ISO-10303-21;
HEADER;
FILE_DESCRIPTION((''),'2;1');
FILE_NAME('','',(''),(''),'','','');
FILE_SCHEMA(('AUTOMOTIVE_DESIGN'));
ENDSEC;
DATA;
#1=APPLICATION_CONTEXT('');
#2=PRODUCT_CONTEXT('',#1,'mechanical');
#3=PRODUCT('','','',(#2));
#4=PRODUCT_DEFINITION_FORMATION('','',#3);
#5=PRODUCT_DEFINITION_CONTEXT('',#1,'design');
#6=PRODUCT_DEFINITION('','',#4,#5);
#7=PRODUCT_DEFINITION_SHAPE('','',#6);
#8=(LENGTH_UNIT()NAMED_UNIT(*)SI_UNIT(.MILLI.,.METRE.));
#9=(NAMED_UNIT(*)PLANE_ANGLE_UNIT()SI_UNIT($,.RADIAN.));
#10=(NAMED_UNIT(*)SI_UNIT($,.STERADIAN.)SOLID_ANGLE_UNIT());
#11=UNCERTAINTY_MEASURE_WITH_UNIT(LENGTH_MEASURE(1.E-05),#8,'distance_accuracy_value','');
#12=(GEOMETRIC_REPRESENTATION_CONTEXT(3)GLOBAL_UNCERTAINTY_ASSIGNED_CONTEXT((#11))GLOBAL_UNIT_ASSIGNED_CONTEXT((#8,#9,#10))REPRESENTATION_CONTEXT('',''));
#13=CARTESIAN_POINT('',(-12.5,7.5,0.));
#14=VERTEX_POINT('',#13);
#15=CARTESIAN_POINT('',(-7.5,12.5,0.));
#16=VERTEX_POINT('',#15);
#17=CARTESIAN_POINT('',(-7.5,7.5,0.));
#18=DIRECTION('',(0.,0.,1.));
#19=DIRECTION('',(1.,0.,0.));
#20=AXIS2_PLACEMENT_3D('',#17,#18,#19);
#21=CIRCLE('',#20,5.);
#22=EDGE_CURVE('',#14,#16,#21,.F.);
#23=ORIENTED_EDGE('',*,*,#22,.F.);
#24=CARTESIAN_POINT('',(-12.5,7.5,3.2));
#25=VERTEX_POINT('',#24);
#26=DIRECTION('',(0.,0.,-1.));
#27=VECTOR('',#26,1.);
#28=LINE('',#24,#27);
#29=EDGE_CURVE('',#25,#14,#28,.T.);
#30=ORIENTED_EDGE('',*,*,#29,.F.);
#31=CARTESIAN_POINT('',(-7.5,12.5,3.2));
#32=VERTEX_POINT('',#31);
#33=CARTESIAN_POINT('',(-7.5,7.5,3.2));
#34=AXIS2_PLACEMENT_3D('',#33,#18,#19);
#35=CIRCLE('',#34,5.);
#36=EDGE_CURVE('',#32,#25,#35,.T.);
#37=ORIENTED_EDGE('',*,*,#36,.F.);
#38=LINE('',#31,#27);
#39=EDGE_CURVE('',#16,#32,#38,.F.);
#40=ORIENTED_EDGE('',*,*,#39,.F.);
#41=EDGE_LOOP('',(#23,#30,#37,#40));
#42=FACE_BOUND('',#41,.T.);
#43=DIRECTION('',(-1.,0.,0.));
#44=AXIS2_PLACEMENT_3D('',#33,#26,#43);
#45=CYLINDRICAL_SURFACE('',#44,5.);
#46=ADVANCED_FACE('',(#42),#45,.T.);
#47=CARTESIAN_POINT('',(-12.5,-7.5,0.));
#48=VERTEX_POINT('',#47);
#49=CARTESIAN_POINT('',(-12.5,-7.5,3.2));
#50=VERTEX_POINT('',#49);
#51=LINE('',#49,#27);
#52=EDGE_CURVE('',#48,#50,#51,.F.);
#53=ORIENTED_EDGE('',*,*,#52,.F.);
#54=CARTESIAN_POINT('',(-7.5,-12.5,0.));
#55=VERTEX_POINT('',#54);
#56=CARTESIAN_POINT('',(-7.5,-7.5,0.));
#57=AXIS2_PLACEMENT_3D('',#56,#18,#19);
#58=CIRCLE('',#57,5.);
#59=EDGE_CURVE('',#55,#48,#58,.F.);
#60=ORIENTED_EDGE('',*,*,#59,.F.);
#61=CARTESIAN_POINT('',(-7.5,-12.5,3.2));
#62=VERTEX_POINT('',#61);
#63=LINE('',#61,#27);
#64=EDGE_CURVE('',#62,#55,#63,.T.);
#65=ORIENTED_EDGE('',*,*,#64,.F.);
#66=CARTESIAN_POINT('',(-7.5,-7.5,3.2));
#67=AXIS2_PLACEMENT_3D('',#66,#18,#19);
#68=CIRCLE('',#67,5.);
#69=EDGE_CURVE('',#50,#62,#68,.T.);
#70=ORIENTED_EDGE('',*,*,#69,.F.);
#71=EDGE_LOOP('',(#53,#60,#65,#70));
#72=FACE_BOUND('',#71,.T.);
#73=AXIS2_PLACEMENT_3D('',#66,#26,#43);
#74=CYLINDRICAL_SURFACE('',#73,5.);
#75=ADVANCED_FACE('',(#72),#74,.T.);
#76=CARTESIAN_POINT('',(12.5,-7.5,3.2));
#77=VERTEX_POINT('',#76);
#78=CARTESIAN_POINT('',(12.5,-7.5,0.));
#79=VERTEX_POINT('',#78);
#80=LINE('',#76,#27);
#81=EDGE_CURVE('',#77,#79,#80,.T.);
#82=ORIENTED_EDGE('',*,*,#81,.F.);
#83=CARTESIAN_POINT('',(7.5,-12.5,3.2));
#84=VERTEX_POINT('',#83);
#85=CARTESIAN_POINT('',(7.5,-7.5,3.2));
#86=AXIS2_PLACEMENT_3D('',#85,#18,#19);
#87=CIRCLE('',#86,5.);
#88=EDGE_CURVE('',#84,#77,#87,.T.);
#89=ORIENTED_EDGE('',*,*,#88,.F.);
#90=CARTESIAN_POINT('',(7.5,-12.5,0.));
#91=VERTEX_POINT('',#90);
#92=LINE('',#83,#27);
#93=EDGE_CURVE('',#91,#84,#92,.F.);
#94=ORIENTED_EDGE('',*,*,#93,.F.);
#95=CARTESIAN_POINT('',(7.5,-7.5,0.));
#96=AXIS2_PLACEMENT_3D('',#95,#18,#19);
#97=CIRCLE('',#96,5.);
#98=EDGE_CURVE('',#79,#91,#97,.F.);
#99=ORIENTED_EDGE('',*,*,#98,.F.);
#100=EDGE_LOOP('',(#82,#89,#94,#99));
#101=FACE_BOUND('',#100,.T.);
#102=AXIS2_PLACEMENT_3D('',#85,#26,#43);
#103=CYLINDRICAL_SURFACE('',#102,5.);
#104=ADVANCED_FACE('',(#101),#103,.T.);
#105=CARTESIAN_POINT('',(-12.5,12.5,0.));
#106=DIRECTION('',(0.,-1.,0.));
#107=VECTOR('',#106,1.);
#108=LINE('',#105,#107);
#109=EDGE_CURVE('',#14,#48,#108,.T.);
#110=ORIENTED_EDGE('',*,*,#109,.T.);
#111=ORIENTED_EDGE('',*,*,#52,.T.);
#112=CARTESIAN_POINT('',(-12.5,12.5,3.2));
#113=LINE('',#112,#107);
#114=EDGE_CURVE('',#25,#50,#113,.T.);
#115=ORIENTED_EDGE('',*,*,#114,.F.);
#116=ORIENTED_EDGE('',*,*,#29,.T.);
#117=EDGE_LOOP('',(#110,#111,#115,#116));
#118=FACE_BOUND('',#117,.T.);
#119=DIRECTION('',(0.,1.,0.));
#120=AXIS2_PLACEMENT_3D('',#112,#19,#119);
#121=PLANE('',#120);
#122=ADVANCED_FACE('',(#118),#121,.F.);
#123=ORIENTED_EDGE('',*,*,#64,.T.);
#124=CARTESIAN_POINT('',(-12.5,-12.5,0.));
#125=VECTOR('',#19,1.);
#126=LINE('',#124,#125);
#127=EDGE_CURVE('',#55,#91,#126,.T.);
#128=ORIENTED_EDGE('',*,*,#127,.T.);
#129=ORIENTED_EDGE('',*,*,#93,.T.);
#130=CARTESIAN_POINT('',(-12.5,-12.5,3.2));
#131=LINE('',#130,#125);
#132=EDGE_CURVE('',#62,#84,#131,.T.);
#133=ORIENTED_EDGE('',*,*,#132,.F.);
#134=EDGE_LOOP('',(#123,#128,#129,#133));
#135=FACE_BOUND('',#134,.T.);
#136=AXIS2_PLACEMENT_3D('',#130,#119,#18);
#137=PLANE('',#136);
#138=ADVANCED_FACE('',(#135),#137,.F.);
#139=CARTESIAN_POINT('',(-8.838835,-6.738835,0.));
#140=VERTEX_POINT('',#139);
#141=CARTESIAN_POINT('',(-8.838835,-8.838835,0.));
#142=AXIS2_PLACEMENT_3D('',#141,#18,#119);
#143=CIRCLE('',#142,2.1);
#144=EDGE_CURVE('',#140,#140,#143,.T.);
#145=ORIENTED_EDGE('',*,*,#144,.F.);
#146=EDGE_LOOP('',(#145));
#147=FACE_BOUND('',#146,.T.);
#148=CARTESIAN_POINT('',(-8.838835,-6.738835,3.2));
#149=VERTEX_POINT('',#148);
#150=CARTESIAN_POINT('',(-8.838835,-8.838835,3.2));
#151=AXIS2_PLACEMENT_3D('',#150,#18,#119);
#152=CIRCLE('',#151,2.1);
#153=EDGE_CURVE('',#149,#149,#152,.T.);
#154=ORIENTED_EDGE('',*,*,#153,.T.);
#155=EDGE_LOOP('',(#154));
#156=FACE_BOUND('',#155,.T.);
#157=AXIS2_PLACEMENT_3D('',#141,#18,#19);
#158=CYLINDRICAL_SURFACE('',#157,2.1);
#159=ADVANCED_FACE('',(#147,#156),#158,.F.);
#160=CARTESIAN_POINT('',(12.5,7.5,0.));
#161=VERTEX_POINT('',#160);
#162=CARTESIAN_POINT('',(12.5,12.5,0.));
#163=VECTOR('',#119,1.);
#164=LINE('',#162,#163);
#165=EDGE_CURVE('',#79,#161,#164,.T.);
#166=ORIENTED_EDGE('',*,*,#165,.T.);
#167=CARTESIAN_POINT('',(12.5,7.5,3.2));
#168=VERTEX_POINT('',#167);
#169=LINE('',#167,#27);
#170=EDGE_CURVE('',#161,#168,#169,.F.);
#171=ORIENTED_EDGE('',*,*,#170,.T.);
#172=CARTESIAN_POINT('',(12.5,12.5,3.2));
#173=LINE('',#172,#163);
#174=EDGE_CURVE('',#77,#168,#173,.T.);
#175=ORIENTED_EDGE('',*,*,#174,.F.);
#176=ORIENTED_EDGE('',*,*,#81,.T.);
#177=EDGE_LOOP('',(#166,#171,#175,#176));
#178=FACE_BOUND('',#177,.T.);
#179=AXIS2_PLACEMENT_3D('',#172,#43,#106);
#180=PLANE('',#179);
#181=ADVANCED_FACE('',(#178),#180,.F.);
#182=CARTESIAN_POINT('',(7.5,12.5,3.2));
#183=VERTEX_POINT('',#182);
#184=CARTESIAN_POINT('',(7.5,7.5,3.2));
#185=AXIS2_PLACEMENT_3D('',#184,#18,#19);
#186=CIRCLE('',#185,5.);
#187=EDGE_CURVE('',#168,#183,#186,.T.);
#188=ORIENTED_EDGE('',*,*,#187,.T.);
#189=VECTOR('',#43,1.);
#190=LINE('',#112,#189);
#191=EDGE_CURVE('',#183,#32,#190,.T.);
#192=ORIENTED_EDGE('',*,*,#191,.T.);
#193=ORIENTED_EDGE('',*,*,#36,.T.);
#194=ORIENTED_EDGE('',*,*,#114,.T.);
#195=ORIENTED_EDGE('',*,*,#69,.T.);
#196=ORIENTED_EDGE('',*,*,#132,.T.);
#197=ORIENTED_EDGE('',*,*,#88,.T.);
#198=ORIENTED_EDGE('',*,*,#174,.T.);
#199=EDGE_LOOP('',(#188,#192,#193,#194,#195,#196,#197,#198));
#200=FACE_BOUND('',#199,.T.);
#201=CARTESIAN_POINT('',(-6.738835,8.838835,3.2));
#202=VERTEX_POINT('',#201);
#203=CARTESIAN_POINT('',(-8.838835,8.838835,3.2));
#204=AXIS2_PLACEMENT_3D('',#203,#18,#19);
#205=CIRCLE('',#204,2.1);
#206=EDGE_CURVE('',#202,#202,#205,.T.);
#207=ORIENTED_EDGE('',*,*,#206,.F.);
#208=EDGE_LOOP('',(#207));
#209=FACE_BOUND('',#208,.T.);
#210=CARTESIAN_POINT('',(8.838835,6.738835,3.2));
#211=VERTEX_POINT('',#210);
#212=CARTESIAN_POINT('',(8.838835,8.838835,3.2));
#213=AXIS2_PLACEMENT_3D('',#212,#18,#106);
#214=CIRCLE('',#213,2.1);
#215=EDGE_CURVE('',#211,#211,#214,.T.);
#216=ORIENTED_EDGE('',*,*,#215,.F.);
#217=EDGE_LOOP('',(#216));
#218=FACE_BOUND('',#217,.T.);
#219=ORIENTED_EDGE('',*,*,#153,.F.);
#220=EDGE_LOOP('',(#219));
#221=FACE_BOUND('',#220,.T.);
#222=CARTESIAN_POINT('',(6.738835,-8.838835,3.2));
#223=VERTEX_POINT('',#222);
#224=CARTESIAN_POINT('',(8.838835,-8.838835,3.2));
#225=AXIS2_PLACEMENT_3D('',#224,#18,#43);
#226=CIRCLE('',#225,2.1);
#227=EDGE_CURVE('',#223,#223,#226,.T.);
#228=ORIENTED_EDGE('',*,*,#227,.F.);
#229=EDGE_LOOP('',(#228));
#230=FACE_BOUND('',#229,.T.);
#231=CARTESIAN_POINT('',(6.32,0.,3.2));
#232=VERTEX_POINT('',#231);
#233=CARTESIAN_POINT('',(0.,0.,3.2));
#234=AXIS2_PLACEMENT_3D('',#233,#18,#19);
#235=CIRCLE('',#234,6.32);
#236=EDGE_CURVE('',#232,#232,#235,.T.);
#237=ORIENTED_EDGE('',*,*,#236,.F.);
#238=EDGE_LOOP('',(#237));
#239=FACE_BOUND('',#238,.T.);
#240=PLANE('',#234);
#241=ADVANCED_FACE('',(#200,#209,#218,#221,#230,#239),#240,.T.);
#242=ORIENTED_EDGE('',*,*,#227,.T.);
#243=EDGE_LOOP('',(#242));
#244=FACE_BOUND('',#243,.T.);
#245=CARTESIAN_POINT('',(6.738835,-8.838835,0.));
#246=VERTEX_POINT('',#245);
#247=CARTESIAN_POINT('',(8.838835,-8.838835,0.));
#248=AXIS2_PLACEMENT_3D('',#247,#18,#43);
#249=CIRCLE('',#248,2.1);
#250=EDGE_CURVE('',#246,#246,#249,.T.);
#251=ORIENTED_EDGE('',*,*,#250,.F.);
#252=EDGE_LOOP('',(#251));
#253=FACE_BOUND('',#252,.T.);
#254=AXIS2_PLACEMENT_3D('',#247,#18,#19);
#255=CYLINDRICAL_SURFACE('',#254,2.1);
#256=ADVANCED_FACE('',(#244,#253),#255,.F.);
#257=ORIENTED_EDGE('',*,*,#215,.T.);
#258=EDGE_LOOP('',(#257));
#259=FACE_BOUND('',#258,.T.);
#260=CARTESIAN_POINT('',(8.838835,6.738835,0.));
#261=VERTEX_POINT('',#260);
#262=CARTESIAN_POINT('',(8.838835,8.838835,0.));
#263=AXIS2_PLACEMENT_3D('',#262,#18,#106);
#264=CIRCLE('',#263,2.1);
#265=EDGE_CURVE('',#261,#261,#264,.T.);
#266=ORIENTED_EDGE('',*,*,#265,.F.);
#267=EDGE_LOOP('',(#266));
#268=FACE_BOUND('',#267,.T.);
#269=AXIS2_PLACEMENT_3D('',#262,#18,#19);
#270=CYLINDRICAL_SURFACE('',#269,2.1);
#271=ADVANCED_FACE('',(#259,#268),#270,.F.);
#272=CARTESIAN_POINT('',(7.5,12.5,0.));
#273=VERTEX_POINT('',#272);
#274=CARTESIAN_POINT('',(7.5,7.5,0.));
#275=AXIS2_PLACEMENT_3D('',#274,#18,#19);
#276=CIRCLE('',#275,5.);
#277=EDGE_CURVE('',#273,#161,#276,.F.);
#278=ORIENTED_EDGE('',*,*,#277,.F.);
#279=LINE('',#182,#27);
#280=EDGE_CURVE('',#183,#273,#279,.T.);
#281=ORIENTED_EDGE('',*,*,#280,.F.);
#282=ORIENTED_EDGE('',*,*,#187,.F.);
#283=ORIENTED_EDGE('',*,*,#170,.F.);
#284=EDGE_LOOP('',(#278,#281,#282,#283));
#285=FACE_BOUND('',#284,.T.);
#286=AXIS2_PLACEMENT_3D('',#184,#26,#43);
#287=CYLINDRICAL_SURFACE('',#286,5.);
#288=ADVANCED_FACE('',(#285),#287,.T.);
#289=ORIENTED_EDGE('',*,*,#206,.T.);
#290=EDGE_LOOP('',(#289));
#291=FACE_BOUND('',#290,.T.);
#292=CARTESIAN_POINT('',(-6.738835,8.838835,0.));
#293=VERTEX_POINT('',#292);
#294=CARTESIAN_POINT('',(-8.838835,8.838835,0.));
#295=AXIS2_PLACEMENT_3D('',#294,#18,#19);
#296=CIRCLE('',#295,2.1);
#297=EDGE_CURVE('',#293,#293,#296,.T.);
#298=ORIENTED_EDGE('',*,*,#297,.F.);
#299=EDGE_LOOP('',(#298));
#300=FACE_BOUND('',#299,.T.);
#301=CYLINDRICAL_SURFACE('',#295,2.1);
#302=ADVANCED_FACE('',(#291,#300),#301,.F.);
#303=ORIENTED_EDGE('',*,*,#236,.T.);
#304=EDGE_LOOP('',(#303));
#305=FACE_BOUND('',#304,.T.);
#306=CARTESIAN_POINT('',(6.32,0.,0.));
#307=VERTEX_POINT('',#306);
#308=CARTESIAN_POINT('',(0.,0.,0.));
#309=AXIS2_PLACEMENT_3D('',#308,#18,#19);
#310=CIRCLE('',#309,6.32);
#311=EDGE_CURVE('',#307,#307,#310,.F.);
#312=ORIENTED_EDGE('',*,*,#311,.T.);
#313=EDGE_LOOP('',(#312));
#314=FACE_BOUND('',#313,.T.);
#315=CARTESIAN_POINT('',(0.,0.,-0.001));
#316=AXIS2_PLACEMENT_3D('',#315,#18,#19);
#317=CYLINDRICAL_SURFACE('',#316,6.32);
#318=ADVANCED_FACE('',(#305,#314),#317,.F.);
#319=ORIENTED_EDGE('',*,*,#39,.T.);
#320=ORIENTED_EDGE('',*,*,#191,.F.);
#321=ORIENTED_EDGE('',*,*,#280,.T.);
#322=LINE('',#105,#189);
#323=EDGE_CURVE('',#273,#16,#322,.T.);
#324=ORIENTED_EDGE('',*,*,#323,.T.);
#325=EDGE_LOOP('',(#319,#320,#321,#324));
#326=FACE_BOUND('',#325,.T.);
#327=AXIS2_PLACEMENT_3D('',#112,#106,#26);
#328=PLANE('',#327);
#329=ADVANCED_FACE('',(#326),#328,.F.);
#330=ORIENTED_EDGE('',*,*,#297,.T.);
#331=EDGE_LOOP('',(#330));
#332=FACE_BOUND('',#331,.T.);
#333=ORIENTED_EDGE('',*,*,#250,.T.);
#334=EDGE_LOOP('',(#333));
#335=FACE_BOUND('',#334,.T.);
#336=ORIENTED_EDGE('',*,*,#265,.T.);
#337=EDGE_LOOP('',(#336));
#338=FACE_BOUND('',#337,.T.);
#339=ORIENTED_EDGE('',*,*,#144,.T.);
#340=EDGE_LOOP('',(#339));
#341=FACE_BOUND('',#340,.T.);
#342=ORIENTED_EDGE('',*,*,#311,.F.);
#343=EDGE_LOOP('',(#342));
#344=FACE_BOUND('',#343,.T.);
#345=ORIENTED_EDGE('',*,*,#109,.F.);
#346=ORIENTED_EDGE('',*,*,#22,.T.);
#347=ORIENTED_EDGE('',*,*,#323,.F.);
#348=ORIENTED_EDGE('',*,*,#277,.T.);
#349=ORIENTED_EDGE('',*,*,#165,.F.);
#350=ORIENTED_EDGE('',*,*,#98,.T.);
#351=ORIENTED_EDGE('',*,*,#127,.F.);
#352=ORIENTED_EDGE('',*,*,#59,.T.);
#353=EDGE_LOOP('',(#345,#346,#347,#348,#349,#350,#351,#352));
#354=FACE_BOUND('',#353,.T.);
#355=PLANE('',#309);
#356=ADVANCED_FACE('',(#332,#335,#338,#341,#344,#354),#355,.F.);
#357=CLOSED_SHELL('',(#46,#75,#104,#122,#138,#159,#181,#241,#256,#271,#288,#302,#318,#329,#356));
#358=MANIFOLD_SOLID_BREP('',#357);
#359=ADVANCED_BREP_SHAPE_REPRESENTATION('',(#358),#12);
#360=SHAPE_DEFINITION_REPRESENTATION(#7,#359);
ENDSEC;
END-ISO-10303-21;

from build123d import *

# Parameters (mm, degrees)
SKETCH1_W           = 25
SKETCH1_H           = 25
BOSS_EXTRUDE1_DEPTH = 3.2
CUT_EXTRUDE1_REACH  = 5.2
SKETCH2_R           = 6.32
SKETCH3_R           = 2.1
CUT_EXTRUDE2_DEPTH  = 4.2
CIRPATTERN1_COUNT   = 4
FILLET2_R           = 5


with BuildPart() as part:
    # Sketch1 → Boss-Extrude1 (new body)
    with BuildSketch(Plane.XY):
        Rectangle(SKETCH1_W, SKETCH1_H)
    extrude(amount=BOSS_EXTRUDE1_DEPTH)

    # Sketch2 → Cut-Extrude1 (cut, up to next)
    with BuildSketch(Plane.XY.offset(3.2), mode=Mode.PRIVATE) as cut_extrude1_sk1:
        Circle(SKETCH2_R)
    cut_extrude1_tool1 = extrude(cut_extrude1_sk1.sketch, amount=-CUT_EXTRUDE1_REACH, mode=Mode.PRIVATE) & part.part
    add(cut_extrude1_tool1.solids().sort_by_distance((0, 0, 3.2))[0], mode=Mode.SUBTRACT)

    # Sketch3 → Cut-Extrude2 (cut, through all)
    with BuildSketch(Plane.XY.offset(3.2)):
        with Locations((-8.838834765, 8.838834765)):
            Circle(SKETCH3_R)
    cut_extrude2 = extrude(amount=-CUT_EXTRUDE2_DEPTH, mode=Mode.SUBTRACT)

    # CirPattern1: Cut-Extrude2 ×4 about axis
    cirpattern1_axis = Axis((0, 0, 0), (0, 0, 1))
    for i in range(1, CIRPATTERN1_COUNT):
        add(cut_extrude2.rotate(cirpattern1_axis, i * 360 / CIRPATTERN1_COUNT), mode=Mode.SUBTRACT)

    # Fillet2
    fillet2_edges = [part.edges().sort_by_distance(p)[0] for p in [
        (12.5, -12.5, 1.6),
        (-12.5, -12.5, 1.6),
        (-12.5, 12.5, 1.6),
        (12.5, 12.5, 1.6),
    ]]
    fillet(fillet2_edges, radius=FILLET2_R)


solid = part.part
